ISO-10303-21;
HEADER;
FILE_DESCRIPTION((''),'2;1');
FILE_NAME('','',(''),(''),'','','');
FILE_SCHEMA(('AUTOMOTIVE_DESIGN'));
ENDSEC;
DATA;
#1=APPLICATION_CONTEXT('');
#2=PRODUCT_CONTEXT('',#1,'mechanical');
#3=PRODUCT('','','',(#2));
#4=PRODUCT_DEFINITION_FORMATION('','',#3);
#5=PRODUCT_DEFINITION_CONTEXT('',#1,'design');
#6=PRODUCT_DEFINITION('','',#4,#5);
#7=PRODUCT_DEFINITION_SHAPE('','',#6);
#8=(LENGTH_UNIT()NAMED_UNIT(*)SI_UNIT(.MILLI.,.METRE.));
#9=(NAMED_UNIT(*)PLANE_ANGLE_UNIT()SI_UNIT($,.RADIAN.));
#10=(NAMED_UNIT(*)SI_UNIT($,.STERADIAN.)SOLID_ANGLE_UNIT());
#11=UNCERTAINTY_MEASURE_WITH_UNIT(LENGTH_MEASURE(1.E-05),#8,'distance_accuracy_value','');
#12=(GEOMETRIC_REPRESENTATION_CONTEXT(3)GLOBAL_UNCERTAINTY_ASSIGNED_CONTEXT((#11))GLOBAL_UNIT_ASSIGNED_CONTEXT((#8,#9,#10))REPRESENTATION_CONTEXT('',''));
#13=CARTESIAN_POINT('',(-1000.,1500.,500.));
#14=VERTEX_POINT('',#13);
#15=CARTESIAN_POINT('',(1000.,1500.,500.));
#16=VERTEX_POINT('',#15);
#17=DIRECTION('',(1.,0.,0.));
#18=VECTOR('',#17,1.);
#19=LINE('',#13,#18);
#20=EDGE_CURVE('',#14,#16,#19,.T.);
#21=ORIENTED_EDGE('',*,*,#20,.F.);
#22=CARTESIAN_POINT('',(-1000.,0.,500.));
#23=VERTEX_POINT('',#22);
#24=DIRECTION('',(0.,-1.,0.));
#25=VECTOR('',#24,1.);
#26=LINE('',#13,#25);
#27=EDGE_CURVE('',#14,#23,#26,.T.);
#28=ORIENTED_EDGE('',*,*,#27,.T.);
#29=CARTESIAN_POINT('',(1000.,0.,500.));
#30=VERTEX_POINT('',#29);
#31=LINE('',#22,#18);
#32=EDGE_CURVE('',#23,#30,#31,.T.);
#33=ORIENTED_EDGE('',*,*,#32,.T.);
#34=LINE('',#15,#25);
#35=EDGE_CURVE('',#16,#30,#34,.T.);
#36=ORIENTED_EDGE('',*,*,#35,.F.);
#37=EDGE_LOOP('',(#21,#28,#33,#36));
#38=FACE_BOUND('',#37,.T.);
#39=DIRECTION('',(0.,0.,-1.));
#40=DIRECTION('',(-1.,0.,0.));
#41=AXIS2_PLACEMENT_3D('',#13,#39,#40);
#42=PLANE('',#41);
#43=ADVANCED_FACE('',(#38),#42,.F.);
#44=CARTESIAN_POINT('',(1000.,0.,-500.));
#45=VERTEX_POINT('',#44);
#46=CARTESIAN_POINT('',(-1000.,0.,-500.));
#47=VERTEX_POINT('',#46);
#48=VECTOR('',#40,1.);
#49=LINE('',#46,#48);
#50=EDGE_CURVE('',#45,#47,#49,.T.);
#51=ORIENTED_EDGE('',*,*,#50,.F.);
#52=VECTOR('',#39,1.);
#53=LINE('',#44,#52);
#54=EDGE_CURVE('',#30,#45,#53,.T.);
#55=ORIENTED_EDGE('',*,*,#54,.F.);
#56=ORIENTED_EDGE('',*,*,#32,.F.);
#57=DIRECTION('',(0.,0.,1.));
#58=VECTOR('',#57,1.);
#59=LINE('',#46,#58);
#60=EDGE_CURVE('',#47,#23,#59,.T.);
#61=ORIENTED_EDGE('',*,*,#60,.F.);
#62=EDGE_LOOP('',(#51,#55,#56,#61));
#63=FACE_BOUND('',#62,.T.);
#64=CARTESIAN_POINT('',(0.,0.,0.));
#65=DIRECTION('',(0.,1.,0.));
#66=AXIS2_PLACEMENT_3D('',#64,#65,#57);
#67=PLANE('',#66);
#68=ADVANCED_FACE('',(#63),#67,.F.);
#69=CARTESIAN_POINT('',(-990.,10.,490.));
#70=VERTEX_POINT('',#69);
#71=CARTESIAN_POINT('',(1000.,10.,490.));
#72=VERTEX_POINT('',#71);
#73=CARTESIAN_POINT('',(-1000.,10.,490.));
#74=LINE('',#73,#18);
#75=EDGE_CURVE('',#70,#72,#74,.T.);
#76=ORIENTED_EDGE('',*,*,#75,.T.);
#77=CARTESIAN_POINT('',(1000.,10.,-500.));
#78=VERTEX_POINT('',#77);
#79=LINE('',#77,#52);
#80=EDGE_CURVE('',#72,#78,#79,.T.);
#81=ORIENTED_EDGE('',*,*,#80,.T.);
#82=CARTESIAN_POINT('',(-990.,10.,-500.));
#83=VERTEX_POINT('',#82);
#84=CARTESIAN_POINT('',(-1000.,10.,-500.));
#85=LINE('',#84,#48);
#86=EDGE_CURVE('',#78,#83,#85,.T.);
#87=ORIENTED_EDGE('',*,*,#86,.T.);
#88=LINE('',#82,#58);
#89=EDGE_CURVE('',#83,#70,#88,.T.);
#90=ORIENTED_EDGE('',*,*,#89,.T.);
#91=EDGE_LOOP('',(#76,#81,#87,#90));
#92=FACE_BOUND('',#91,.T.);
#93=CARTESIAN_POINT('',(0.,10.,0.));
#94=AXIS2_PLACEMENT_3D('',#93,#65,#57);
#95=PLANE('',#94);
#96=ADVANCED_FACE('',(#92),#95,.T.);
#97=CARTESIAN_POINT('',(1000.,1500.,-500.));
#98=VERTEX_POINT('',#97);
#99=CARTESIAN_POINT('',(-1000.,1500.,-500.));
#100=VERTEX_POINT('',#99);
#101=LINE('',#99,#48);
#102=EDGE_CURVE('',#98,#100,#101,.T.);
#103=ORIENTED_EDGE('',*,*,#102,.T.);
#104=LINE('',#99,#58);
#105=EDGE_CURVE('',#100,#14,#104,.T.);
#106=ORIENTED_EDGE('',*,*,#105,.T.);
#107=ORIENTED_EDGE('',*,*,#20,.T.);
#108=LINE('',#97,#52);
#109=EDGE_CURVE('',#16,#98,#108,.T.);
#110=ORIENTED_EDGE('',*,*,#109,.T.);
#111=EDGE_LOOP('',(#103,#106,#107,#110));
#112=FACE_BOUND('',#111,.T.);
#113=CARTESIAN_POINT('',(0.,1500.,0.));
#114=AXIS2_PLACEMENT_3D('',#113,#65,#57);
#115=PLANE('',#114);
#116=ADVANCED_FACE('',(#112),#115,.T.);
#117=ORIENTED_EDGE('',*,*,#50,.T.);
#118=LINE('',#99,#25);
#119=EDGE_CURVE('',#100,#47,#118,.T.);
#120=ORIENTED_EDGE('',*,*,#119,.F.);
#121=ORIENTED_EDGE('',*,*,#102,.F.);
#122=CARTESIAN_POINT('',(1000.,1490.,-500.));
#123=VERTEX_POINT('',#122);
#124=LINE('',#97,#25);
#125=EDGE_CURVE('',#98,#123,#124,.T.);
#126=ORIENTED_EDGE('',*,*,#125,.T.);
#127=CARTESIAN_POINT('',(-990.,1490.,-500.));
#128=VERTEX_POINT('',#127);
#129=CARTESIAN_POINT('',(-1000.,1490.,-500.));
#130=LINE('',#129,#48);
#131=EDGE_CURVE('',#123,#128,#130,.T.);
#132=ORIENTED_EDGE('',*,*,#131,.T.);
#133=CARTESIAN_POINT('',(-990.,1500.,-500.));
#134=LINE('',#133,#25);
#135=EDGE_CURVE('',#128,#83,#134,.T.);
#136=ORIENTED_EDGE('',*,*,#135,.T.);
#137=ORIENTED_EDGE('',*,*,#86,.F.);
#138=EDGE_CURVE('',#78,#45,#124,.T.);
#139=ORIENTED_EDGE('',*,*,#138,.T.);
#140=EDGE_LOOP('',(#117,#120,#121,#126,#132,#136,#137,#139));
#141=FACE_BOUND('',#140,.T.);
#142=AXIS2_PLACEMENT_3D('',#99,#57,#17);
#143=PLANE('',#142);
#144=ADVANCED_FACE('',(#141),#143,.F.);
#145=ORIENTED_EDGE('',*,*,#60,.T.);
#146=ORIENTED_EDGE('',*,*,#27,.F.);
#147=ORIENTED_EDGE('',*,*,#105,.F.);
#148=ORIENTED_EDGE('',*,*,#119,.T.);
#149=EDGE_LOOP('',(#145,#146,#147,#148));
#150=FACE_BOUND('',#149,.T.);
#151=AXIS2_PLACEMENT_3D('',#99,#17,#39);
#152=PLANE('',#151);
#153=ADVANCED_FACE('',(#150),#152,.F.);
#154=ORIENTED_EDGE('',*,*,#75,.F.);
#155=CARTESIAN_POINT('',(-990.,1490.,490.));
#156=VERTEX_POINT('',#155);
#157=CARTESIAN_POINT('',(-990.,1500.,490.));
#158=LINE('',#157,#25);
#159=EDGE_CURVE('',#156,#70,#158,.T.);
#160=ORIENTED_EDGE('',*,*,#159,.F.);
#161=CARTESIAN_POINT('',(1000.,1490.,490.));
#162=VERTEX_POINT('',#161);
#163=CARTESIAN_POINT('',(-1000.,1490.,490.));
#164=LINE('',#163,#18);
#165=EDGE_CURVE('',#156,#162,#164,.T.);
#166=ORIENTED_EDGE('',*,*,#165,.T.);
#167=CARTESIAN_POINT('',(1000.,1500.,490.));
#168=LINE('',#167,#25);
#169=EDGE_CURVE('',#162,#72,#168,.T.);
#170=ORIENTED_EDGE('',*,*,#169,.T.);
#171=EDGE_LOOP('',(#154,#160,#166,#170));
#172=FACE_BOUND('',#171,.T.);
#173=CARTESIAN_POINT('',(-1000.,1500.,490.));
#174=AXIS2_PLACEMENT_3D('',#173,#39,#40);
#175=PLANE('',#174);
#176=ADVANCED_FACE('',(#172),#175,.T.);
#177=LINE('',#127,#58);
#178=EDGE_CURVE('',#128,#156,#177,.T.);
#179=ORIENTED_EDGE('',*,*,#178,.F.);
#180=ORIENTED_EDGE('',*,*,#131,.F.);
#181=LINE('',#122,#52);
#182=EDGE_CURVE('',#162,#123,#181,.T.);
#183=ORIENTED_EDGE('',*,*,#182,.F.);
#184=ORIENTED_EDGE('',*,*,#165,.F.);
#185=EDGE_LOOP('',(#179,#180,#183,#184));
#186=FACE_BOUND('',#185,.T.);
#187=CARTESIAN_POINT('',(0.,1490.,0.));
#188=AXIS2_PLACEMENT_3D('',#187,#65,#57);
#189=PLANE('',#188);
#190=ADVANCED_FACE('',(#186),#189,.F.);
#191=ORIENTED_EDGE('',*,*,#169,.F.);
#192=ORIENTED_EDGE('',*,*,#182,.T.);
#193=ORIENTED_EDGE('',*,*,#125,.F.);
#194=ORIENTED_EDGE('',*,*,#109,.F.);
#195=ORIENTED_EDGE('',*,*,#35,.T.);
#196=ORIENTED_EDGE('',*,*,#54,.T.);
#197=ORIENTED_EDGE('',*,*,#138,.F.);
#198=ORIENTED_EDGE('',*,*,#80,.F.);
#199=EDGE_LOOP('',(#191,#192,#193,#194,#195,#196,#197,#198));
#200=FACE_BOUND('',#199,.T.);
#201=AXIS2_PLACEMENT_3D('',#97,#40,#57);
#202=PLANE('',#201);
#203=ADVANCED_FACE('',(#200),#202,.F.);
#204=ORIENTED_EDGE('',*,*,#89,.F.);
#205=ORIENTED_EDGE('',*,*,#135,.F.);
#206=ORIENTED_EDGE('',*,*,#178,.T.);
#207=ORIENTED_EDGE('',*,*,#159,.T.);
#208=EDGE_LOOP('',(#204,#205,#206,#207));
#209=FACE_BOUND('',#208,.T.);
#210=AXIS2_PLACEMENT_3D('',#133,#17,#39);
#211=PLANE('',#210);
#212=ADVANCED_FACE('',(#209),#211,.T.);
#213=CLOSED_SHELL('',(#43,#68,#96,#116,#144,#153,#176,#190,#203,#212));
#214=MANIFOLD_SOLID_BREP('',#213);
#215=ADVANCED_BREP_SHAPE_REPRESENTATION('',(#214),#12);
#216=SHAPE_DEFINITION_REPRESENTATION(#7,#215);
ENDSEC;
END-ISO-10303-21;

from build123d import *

# Parameters (mm, degrees)
SKETCH_1_W      = 2000
SKETCH_1_H      = 1000
EXTRUDE_1_DEPTH = 1500
SHELL_1_T       = -10


with BuildPart() as part:
    # 草图1 → 凸台-拉伸1 (new body)
    with BuildSketch(Plane(origin=(0, 0, 0), x_dir=(1, 0, 0), z_dir=(0, 1, 0))):
        Rectangle(SKETCH_1_W, SKETCH_1_H)
    extrude(amount=EXTRUDE_1_DEPTH)

    # 抽壳1
    shell_1_openings = [part.faces().sort_by_distance(p)[0] for p in [
        (0, 750, -500),
        (1000, 750, 0),
    ]]
    offset(amount=SHELL_1_T, openings=shell_1_openings, kind=Kind.INTERSECTION)


solid = part.part
